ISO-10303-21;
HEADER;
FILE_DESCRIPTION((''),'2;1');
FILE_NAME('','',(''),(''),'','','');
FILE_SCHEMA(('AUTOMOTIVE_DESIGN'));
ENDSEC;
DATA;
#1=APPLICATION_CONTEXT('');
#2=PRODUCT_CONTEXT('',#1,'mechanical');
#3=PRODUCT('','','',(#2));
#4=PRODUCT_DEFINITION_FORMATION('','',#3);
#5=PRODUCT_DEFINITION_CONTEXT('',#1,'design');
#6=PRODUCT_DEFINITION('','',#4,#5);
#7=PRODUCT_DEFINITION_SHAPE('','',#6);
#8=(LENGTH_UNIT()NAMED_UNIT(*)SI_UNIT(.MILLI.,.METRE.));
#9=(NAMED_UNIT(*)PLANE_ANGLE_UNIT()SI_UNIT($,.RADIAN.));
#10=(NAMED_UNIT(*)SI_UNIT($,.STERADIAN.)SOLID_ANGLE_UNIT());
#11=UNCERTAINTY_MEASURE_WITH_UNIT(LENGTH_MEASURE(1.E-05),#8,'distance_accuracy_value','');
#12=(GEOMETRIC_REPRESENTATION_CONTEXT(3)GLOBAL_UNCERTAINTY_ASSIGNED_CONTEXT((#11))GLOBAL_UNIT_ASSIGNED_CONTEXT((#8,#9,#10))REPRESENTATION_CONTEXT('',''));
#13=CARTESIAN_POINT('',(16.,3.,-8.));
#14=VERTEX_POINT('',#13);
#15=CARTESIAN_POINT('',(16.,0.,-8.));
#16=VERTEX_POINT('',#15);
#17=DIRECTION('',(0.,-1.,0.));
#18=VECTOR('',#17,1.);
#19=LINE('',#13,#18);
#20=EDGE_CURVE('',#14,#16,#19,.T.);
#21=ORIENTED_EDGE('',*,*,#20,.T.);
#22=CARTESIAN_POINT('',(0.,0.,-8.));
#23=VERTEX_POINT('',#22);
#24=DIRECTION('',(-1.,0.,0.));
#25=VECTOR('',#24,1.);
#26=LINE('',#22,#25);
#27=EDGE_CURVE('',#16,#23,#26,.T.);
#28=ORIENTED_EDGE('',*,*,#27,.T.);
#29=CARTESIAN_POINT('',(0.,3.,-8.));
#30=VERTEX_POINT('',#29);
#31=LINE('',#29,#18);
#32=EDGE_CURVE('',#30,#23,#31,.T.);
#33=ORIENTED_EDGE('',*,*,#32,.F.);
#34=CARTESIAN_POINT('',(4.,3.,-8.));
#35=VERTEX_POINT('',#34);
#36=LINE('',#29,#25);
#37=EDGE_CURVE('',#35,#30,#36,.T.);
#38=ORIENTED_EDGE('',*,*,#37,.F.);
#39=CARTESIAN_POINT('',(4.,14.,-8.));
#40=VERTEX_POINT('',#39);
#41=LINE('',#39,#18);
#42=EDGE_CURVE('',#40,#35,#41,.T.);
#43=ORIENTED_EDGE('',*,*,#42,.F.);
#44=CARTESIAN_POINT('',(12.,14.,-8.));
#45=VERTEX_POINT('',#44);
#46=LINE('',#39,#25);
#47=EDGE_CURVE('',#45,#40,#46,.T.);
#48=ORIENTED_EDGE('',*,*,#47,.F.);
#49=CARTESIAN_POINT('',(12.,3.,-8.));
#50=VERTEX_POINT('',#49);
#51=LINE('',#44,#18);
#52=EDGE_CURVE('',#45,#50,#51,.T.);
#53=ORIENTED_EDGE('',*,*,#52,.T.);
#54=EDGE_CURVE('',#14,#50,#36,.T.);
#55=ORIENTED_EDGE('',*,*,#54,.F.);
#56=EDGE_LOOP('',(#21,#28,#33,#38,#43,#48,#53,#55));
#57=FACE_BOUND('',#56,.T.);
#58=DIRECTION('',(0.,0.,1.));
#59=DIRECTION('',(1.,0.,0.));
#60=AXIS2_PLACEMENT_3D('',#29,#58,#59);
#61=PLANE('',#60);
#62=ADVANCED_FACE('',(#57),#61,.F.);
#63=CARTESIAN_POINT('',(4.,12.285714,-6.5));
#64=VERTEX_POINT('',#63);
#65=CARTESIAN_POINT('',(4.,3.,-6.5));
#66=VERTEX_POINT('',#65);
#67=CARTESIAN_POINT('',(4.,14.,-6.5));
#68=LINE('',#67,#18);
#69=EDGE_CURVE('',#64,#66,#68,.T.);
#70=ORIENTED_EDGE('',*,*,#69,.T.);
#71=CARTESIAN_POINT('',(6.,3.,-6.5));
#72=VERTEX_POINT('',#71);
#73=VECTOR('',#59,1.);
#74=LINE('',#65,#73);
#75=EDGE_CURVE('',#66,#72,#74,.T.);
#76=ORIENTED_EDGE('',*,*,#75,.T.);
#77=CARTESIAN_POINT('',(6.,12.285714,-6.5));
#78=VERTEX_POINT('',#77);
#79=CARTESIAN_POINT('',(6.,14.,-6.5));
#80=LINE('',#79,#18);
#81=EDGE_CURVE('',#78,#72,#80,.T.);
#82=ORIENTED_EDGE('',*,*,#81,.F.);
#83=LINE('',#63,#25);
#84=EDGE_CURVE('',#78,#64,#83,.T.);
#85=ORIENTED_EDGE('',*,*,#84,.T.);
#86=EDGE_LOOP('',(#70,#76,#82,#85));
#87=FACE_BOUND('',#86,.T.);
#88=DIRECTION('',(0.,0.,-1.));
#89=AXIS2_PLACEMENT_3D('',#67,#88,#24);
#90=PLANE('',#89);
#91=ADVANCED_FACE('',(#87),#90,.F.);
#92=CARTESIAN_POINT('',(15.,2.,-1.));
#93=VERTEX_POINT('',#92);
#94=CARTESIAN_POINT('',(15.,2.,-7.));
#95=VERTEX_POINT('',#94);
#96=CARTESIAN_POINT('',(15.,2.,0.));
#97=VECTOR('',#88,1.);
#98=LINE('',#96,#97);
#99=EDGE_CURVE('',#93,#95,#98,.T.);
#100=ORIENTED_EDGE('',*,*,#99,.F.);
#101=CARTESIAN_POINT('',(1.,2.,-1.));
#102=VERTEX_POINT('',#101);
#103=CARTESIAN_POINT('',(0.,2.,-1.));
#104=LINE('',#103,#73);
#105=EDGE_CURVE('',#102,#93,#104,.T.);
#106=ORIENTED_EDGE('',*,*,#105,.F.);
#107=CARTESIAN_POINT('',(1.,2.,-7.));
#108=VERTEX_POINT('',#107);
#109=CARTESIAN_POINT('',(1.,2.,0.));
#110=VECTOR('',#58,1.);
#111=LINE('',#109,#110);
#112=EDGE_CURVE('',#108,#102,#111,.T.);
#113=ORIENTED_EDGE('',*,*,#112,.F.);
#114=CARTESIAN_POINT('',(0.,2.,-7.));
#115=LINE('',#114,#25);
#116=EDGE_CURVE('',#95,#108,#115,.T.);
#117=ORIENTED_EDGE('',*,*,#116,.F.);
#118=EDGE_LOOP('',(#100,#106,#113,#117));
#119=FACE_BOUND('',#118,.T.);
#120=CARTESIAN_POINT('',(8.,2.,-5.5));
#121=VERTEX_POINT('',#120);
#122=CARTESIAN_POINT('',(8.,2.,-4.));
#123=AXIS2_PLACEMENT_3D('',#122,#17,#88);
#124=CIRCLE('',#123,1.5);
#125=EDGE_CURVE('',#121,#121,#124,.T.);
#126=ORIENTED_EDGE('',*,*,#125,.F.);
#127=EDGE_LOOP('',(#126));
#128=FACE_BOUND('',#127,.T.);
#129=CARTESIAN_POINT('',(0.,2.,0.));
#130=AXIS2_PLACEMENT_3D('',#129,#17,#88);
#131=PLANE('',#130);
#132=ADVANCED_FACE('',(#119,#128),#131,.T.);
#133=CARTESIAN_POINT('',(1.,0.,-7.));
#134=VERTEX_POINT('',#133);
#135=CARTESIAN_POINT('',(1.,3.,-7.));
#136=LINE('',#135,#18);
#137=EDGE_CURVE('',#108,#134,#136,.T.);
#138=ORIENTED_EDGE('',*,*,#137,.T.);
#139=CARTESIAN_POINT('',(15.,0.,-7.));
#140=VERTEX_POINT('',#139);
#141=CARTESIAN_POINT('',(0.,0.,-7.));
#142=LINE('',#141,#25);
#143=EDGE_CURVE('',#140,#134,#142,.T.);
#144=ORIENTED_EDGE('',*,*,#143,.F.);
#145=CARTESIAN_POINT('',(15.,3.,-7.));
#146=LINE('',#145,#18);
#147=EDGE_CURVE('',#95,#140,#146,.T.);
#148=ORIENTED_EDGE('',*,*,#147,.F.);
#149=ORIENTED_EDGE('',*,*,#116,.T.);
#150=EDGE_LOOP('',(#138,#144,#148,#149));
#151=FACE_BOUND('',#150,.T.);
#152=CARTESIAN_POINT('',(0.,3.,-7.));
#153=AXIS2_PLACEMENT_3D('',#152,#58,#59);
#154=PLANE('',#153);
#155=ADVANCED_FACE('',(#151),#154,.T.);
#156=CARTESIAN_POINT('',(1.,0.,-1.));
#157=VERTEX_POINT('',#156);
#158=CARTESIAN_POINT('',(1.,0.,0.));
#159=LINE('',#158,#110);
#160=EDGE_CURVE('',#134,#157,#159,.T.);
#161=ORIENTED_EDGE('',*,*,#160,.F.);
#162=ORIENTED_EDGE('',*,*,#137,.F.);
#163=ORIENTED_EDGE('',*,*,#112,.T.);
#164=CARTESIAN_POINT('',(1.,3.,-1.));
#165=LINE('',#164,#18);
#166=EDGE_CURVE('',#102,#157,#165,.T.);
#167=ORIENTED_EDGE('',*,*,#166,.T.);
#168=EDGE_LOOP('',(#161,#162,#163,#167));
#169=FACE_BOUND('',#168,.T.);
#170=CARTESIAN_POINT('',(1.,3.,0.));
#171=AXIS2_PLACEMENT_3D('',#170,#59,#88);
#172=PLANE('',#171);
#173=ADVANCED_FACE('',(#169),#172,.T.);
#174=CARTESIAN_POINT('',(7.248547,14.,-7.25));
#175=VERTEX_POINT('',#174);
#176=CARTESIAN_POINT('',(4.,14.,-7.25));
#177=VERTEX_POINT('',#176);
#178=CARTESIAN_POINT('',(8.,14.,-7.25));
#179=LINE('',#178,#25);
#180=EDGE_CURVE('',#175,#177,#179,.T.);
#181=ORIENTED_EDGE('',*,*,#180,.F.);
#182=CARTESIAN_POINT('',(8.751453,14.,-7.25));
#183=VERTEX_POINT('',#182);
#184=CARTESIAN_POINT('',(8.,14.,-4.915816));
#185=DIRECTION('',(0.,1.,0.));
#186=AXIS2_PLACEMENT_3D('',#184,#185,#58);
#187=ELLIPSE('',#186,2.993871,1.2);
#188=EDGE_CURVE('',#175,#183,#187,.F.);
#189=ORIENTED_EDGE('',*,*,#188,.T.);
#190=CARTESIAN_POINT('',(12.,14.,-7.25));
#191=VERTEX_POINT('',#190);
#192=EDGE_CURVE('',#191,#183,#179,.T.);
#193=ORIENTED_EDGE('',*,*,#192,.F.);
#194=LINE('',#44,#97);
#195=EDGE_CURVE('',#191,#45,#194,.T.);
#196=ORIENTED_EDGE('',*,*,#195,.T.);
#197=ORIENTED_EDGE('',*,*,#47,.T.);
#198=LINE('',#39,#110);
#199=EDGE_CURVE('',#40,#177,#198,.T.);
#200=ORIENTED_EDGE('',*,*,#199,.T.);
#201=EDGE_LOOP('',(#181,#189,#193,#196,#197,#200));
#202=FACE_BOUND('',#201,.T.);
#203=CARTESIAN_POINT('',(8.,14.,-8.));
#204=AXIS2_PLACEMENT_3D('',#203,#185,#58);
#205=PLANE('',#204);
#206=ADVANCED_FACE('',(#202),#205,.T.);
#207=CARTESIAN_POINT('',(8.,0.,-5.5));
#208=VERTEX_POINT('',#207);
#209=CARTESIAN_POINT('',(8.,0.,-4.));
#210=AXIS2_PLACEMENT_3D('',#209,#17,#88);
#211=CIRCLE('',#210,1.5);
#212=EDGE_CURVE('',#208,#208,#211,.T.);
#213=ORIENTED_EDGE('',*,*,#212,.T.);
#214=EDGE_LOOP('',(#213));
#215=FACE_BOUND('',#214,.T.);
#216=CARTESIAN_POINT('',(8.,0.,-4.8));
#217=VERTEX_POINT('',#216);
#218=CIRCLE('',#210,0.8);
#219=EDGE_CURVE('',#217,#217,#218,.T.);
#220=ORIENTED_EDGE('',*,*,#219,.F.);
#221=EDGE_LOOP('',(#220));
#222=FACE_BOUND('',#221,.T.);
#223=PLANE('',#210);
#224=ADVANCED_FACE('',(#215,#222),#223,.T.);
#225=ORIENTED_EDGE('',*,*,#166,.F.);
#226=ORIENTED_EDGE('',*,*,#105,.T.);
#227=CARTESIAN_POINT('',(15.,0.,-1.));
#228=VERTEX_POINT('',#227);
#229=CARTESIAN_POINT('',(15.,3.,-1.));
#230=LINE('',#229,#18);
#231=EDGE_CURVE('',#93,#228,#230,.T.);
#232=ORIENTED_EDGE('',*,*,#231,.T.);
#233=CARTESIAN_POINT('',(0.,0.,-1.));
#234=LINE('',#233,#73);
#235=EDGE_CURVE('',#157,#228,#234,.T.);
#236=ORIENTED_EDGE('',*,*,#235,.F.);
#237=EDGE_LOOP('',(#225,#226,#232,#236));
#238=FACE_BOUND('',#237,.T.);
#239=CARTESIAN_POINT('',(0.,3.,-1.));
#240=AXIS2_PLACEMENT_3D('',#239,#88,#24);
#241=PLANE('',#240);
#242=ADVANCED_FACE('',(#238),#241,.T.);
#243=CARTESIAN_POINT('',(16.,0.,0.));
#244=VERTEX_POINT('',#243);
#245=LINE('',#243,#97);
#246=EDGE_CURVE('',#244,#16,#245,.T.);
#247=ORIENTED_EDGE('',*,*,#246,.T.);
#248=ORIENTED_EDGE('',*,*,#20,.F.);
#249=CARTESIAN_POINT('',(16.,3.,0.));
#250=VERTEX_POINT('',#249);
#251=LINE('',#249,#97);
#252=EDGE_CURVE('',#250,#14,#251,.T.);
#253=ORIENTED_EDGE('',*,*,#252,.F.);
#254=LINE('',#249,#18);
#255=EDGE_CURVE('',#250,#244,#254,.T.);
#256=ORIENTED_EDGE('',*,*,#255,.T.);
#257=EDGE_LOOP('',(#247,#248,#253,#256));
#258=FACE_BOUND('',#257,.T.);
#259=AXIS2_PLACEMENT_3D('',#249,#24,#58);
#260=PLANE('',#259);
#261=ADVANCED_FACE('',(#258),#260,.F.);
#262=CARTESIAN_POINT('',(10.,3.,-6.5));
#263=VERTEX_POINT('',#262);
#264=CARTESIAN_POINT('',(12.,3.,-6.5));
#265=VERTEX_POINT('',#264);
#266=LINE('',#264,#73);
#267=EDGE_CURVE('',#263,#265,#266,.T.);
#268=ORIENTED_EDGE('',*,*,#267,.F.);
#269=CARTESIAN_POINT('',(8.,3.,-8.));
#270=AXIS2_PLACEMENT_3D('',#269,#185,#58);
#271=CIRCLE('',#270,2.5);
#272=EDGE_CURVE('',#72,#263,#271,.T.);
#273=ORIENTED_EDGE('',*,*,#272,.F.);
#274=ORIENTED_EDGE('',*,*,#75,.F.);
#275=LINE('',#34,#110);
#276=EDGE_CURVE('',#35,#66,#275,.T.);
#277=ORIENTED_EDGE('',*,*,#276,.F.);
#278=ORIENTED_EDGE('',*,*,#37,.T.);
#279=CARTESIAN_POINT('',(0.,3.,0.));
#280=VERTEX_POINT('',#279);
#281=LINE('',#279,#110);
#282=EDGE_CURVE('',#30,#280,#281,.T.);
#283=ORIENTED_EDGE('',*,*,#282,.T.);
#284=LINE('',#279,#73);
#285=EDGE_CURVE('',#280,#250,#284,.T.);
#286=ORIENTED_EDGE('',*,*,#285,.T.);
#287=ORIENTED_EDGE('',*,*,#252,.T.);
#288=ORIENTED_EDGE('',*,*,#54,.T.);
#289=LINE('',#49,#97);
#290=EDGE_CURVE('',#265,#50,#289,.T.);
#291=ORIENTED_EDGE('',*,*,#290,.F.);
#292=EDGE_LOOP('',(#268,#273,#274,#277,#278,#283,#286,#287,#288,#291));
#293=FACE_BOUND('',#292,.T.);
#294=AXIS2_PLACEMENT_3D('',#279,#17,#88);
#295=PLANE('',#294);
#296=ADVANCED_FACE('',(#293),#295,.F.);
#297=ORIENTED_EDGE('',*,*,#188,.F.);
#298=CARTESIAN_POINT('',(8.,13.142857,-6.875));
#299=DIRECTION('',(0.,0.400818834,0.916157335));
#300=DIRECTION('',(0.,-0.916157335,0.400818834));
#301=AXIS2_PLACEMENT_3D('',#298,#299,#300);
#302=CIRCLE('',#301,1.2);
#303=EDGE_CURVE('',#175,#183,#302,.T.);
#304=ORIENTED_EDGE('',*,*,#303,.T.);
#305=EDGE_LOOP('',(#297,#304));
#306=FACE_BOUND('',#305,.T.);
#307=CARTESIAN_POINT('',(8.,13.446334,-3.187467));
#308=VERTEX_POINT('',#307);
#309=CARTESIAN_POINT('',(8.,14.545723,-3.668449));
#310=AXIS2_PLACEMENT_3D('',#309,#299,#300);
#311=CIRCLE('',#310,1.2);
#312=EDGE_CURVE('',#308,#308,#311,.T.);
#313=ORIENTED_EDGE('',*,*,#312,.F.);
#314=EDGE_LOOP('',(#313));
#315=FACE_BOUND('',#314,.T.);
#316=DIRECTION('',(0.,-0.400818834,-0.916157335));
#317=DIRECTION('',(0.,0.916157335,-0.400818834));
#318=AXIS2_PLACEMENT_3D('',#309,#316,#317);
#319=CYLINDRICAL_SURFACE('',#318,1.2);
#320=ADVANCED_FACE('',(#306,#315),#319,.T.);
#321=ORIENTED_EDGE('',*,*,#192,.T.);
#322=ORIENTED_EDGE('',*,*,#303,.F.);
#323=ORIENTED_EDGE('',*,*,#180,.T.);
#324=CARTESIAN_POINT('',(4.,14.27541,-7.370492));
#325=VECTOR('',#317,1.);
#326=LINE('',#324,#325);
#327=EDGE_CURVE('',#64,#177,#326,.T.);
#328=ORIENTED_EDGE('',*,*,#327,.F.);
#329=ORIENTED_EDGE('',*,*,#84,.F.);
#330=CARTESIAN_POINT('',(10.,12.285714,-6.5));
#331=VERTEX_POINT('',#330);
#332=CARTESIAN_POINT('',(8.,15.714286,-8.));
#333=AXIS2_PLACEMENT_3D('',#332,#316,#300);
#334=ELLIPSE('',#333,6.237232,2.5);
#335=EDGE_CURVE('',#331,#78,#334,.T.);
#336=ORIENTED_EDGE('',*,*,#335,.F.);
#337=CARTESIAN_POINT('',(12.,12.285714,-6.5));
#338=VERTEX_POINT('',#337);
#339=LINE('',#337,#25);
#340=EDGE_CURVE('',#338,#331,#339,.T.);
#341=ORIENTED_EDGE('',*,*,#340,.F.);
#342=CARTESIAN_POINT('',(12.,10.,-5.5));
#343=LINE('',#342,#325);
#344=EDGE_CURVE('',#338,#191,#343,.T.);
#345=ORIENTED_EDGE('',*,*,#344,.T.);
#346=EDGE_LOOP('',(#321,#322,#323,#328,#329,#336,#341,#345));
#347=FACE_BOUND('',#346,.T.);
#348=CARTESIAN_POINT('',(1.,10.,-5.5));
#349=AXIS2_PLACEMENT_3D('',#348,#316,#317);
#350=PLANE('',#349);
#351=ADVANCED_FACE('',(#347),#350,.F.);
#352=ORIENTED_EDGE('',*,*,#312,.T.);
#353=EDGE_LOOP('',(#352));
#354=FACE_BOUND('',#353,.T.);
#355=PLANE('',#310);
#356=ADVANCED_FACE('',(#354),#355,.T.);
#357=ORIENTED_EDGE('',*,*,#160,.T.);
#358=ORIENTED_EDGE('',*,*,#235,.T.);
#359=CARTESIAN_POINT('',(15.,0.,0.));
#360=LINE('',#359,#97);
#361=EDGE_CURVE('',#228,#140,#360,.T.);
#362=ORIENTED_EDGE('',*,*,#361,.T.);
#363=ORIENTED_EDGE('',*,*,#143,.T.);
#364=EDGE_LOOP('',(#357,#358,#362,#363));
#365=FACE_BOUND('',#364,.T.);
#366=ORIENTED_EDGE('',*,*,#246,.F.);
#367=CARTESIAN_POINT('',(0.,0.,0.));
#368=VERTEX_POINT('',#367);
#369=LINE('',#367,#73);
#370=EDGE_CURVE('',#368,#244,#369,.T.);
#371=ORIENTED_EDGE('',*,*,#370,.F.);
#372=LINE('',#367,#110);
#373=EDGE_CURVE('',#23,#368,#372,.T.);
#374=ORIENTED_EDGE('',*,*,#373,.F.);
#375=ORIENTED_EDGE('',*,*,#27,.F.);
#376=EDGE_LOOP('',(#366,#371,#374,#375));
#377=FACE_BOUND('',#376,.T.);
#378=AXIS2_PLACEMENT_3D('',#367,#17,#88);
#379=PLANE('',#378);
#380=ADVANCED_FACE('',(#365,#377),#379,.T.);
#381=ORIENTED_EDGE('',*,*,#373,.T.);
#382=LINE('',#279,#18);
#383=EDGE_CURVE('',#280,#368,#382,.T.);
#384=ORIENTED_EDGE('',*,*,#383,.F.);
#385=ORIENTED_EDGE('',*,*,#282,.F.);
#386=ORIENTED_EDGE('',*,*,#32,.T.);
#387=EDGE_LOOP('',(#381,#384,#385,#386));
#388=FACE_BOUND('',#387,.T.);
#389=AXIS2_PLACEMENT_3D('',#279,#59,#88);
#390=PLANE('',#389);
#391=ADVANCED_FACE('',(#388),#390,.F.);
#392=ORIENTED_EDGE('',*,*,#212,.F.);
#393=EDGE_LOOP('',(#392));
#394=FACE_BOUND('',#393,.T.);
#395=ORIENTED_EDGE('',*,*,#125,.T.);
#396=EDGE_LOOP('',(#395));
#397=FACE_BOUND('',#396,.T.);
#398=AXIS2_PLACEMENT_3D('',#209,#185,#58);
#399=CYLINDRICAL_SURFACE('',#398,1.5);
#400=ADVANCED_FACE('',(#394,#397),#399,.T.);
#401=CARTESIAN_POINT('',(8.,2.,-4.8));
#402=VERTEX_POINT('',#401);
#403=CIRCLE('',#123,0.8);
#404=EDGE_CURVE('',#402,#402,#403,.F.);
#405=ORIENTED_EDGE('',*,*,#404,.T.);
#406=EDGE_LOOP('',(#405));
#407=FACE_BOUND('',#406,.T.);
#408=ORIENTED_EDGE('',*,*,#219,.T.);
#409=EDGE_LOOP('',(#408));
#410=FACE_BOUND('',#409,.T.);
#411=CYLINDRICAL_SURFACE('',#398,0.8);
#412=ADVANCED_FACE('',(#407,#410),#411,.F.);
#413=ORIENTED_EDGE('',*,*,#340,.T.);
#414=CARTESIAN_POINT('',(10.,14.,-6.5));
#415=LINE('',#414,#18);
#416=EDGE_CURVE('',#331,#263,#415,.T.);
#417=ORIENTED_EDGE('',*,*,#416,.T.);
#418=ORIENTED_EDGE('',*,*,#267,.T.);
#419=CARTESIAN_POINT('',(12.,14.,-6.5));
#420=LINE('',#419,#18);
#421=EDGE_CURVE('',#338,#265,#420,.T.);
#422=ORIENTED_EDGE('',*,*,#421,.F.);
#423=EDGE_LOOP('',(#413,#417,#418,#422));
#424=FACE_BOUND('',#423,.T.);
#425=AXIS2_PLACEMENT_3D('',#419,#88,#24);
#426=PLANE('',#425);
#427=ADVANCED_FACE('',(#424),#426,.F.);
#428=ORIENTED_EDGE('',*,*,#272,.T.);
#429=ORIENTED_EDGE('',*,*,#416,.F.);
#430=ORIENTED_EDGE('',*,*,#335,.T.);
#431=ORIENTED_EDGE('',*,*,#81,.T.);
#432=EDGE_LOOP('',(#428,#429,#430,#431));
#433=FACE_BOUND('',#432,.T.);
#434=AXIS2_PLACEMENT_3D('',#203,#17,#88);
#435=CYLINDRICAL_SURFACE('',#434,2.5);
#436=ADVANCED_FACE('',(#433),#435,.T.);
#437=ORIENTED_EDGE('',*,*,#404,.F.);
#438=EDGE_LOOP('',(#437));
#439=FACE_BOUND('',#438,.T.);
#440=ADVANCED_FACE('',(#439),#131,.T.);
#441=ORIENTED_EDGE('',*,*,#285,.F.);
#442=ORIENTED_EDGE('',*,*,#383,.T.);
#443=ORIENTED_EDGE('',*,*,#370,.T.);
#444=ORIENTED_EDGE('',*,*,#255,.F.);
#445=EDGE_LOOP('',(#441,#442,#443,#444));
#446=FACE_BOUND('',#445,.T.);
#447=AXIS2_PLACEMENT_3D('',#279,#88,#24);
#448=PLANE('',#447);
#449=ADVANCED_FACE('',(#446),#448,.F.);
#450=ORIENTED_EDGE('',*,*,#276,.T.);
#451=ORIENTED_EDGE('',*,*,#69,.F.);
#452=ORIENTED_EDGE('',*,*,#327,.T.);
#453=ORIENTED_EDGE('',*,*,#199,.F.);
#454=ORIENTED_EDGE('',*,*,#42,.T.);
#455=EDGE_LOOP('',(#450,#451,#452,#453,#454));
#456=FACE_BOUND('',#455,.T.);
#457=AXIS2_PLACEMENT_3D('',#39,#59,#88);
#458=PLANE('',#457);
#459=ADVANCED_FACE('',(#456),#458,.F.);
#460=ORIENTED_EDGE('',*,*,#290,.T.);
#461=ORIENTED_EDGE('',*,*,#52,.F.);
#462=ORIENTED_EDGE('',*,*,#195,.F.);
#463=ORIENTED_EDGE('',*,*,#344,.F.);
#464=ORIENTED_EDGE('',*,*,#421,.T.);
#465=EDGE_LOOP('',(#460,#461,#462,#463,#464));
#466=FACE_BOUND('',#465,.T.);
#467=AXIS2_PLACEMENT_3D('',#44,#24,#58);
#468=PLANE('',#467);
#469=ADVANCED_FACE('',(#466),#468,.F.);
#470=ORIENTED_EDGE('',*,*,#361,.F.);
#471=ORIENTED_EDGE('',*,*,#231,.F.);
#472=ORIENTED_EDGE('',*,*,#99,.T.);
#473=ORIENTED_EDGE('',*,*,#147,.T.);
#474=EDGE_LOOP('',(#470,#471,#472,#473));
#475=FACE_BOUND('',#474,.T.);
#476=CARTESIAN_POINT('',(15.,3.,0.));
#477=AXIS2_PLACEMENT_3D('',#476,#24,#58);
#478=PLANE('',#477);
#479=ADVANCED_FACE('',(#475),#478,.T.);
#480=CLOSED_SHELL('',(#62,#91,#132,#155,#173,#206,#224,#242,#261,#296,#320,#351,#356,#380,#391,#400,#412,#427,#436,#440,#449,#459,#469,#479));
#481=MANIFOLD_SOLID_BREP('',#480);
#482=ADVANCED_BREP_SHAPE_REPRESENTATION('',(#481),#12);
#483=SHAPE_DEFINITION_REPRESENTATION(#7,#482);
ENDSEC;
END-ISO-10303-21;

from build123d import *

# Parameters (mm, degrees)
SKETCH1_W                       = 16
SKETCH1_H                       = 8
BOSS_EXTRUDE1_DEPTH             = 3
SHELL1_T                        = -1
SKETCH3_R                       = 1.5
SKETCH3_R_2                     = 0.8
BOSS_EXTRUDE3_DEPTH             = 2
BOSS_EXTRUDE4_DEPTH             = 11
CUT_EXTRUDE1_DEPTH              = 11
BOSS_EXTRUDE5_REACH             = 8.299
SKETCH7_R                       = 1.2
BOSS_EXTRUDE5_DIRECTION_2_DEPTH = 3.5


with BuildPart() as part:
    # Sketch1 → Boss-Extrude1 (new body)
    with BuildSketch(Plane(origin=(0, 0, 0), x_dir=(1, 0, 0), z_dir=(0, 1, 0))):
        with Locations((8, 4)):
            Rectangle(SKETCH1_W, SKETCH1_H)
    extrude(amount=BOSS_EXTRUDE1_DEPTH)

    # Shell1
    shell1_openings = [part.faces().sort_by_distance(p)[0] for p in [
        (8, 0, -4),
    ]]
    offset(amount=SHELL1_T, openings=shell1_openings, kind=Kind.INTERSECTION)

    # Sketch3 → Boss-Extrude3 (add)
    with BuildSketch(Plane.XZ.offset(-2)):
        with Locations(Location((8, -4, 0), (0, 0, 270))):  # turned: the seam where the file's is
            Circle(SKETCH3_R)
        with Locations(Location((8, -4, 0), (0, 0, 270))):  # turned: the seam where the file's is
            Circle(SKETCH3_R_2, mode=Mode.SUBTRACT)
    extrude(amount=BOSS_EXTRUDE3_DEPTH)

    # Sketch4 → Boss-Extrude4 (add)
    with BuildSketch(Plane(origin=(0, 3, 0), x_dir=(1, 0, 0), z_dir=(0, 1, 0))):
        with BuildLine():
            Line((4, 8), (12, 8))
            Line((12, 8), (12, 6.5))
            Line((12, 6.5), (10, 6.5))
            ThreePointArc((10, 6.5), (8, 5.5), (6, 6.5))
            Line((6, 6.5), (4, 6.5))
            Line((4, 6.5), (4, 8))
        make_face()
    extrude(amount=BOSS_EXTRUDE4_DEPTH)

    # Sketch6 → Cut-Extrude1 (cut)
    with BuildSketch(Plane(origin=(12, 0, 0), x_dir=(0, 0, -1), z_dir=(1, 0, 0))):
        Polygon((7.25, 14), (5.5, 14), (5.5, 10), align=None)
    extrude(amount=-CUT_EXTRUDE1_DEPTH, mode=Mode.SUBTRACT)

    # Sketch7 → Boss-Extrude5 (add, up to next)
    with BuildSketch(Plane(origin=(0, -0.413114754, -0.944262295), x_dir=(1, 0, 0), z_dir=(0, 0.400818834, 0.916157335)), mode=Mode.PRIVATE) as boss_extrude5_sk1:
        with Locations(Location((8, 14.796554457, 0), (0, 0, 51.228905229))):  # turned: the seam where the file's is
            Circle(SKETCH7_R)
    boss_extrude5_tool1 = extrude(boss_extrude5_sk1.sketch, amount=-BOSS_EXTRUDE5_REACH, mode=Mode.PRIVATE) - part.part
    add(boss_extrude5_tool1.solids().sort_by_distance((8, 13.142857, -6.875))[0])

    # Sketch7 → Boss-Extrude5 direction 2 (add)
    with BuildSketch(Plane(origin=(0, -0.413114754, -0.944262295), x_dir=(1, 0, 0), z_dir=(0, 0.400818834, 0.916157335))):
        with Locations(Location((8, 14.796554457, 0), (0, 0, 51.228905229))):  # turned: the seam where the file's is
            Circle(SKETCH7_R)
    extrude(amount=BOSS_EXTRUDE5_DIRECTION_2_DEPTH)


solid = part.part
